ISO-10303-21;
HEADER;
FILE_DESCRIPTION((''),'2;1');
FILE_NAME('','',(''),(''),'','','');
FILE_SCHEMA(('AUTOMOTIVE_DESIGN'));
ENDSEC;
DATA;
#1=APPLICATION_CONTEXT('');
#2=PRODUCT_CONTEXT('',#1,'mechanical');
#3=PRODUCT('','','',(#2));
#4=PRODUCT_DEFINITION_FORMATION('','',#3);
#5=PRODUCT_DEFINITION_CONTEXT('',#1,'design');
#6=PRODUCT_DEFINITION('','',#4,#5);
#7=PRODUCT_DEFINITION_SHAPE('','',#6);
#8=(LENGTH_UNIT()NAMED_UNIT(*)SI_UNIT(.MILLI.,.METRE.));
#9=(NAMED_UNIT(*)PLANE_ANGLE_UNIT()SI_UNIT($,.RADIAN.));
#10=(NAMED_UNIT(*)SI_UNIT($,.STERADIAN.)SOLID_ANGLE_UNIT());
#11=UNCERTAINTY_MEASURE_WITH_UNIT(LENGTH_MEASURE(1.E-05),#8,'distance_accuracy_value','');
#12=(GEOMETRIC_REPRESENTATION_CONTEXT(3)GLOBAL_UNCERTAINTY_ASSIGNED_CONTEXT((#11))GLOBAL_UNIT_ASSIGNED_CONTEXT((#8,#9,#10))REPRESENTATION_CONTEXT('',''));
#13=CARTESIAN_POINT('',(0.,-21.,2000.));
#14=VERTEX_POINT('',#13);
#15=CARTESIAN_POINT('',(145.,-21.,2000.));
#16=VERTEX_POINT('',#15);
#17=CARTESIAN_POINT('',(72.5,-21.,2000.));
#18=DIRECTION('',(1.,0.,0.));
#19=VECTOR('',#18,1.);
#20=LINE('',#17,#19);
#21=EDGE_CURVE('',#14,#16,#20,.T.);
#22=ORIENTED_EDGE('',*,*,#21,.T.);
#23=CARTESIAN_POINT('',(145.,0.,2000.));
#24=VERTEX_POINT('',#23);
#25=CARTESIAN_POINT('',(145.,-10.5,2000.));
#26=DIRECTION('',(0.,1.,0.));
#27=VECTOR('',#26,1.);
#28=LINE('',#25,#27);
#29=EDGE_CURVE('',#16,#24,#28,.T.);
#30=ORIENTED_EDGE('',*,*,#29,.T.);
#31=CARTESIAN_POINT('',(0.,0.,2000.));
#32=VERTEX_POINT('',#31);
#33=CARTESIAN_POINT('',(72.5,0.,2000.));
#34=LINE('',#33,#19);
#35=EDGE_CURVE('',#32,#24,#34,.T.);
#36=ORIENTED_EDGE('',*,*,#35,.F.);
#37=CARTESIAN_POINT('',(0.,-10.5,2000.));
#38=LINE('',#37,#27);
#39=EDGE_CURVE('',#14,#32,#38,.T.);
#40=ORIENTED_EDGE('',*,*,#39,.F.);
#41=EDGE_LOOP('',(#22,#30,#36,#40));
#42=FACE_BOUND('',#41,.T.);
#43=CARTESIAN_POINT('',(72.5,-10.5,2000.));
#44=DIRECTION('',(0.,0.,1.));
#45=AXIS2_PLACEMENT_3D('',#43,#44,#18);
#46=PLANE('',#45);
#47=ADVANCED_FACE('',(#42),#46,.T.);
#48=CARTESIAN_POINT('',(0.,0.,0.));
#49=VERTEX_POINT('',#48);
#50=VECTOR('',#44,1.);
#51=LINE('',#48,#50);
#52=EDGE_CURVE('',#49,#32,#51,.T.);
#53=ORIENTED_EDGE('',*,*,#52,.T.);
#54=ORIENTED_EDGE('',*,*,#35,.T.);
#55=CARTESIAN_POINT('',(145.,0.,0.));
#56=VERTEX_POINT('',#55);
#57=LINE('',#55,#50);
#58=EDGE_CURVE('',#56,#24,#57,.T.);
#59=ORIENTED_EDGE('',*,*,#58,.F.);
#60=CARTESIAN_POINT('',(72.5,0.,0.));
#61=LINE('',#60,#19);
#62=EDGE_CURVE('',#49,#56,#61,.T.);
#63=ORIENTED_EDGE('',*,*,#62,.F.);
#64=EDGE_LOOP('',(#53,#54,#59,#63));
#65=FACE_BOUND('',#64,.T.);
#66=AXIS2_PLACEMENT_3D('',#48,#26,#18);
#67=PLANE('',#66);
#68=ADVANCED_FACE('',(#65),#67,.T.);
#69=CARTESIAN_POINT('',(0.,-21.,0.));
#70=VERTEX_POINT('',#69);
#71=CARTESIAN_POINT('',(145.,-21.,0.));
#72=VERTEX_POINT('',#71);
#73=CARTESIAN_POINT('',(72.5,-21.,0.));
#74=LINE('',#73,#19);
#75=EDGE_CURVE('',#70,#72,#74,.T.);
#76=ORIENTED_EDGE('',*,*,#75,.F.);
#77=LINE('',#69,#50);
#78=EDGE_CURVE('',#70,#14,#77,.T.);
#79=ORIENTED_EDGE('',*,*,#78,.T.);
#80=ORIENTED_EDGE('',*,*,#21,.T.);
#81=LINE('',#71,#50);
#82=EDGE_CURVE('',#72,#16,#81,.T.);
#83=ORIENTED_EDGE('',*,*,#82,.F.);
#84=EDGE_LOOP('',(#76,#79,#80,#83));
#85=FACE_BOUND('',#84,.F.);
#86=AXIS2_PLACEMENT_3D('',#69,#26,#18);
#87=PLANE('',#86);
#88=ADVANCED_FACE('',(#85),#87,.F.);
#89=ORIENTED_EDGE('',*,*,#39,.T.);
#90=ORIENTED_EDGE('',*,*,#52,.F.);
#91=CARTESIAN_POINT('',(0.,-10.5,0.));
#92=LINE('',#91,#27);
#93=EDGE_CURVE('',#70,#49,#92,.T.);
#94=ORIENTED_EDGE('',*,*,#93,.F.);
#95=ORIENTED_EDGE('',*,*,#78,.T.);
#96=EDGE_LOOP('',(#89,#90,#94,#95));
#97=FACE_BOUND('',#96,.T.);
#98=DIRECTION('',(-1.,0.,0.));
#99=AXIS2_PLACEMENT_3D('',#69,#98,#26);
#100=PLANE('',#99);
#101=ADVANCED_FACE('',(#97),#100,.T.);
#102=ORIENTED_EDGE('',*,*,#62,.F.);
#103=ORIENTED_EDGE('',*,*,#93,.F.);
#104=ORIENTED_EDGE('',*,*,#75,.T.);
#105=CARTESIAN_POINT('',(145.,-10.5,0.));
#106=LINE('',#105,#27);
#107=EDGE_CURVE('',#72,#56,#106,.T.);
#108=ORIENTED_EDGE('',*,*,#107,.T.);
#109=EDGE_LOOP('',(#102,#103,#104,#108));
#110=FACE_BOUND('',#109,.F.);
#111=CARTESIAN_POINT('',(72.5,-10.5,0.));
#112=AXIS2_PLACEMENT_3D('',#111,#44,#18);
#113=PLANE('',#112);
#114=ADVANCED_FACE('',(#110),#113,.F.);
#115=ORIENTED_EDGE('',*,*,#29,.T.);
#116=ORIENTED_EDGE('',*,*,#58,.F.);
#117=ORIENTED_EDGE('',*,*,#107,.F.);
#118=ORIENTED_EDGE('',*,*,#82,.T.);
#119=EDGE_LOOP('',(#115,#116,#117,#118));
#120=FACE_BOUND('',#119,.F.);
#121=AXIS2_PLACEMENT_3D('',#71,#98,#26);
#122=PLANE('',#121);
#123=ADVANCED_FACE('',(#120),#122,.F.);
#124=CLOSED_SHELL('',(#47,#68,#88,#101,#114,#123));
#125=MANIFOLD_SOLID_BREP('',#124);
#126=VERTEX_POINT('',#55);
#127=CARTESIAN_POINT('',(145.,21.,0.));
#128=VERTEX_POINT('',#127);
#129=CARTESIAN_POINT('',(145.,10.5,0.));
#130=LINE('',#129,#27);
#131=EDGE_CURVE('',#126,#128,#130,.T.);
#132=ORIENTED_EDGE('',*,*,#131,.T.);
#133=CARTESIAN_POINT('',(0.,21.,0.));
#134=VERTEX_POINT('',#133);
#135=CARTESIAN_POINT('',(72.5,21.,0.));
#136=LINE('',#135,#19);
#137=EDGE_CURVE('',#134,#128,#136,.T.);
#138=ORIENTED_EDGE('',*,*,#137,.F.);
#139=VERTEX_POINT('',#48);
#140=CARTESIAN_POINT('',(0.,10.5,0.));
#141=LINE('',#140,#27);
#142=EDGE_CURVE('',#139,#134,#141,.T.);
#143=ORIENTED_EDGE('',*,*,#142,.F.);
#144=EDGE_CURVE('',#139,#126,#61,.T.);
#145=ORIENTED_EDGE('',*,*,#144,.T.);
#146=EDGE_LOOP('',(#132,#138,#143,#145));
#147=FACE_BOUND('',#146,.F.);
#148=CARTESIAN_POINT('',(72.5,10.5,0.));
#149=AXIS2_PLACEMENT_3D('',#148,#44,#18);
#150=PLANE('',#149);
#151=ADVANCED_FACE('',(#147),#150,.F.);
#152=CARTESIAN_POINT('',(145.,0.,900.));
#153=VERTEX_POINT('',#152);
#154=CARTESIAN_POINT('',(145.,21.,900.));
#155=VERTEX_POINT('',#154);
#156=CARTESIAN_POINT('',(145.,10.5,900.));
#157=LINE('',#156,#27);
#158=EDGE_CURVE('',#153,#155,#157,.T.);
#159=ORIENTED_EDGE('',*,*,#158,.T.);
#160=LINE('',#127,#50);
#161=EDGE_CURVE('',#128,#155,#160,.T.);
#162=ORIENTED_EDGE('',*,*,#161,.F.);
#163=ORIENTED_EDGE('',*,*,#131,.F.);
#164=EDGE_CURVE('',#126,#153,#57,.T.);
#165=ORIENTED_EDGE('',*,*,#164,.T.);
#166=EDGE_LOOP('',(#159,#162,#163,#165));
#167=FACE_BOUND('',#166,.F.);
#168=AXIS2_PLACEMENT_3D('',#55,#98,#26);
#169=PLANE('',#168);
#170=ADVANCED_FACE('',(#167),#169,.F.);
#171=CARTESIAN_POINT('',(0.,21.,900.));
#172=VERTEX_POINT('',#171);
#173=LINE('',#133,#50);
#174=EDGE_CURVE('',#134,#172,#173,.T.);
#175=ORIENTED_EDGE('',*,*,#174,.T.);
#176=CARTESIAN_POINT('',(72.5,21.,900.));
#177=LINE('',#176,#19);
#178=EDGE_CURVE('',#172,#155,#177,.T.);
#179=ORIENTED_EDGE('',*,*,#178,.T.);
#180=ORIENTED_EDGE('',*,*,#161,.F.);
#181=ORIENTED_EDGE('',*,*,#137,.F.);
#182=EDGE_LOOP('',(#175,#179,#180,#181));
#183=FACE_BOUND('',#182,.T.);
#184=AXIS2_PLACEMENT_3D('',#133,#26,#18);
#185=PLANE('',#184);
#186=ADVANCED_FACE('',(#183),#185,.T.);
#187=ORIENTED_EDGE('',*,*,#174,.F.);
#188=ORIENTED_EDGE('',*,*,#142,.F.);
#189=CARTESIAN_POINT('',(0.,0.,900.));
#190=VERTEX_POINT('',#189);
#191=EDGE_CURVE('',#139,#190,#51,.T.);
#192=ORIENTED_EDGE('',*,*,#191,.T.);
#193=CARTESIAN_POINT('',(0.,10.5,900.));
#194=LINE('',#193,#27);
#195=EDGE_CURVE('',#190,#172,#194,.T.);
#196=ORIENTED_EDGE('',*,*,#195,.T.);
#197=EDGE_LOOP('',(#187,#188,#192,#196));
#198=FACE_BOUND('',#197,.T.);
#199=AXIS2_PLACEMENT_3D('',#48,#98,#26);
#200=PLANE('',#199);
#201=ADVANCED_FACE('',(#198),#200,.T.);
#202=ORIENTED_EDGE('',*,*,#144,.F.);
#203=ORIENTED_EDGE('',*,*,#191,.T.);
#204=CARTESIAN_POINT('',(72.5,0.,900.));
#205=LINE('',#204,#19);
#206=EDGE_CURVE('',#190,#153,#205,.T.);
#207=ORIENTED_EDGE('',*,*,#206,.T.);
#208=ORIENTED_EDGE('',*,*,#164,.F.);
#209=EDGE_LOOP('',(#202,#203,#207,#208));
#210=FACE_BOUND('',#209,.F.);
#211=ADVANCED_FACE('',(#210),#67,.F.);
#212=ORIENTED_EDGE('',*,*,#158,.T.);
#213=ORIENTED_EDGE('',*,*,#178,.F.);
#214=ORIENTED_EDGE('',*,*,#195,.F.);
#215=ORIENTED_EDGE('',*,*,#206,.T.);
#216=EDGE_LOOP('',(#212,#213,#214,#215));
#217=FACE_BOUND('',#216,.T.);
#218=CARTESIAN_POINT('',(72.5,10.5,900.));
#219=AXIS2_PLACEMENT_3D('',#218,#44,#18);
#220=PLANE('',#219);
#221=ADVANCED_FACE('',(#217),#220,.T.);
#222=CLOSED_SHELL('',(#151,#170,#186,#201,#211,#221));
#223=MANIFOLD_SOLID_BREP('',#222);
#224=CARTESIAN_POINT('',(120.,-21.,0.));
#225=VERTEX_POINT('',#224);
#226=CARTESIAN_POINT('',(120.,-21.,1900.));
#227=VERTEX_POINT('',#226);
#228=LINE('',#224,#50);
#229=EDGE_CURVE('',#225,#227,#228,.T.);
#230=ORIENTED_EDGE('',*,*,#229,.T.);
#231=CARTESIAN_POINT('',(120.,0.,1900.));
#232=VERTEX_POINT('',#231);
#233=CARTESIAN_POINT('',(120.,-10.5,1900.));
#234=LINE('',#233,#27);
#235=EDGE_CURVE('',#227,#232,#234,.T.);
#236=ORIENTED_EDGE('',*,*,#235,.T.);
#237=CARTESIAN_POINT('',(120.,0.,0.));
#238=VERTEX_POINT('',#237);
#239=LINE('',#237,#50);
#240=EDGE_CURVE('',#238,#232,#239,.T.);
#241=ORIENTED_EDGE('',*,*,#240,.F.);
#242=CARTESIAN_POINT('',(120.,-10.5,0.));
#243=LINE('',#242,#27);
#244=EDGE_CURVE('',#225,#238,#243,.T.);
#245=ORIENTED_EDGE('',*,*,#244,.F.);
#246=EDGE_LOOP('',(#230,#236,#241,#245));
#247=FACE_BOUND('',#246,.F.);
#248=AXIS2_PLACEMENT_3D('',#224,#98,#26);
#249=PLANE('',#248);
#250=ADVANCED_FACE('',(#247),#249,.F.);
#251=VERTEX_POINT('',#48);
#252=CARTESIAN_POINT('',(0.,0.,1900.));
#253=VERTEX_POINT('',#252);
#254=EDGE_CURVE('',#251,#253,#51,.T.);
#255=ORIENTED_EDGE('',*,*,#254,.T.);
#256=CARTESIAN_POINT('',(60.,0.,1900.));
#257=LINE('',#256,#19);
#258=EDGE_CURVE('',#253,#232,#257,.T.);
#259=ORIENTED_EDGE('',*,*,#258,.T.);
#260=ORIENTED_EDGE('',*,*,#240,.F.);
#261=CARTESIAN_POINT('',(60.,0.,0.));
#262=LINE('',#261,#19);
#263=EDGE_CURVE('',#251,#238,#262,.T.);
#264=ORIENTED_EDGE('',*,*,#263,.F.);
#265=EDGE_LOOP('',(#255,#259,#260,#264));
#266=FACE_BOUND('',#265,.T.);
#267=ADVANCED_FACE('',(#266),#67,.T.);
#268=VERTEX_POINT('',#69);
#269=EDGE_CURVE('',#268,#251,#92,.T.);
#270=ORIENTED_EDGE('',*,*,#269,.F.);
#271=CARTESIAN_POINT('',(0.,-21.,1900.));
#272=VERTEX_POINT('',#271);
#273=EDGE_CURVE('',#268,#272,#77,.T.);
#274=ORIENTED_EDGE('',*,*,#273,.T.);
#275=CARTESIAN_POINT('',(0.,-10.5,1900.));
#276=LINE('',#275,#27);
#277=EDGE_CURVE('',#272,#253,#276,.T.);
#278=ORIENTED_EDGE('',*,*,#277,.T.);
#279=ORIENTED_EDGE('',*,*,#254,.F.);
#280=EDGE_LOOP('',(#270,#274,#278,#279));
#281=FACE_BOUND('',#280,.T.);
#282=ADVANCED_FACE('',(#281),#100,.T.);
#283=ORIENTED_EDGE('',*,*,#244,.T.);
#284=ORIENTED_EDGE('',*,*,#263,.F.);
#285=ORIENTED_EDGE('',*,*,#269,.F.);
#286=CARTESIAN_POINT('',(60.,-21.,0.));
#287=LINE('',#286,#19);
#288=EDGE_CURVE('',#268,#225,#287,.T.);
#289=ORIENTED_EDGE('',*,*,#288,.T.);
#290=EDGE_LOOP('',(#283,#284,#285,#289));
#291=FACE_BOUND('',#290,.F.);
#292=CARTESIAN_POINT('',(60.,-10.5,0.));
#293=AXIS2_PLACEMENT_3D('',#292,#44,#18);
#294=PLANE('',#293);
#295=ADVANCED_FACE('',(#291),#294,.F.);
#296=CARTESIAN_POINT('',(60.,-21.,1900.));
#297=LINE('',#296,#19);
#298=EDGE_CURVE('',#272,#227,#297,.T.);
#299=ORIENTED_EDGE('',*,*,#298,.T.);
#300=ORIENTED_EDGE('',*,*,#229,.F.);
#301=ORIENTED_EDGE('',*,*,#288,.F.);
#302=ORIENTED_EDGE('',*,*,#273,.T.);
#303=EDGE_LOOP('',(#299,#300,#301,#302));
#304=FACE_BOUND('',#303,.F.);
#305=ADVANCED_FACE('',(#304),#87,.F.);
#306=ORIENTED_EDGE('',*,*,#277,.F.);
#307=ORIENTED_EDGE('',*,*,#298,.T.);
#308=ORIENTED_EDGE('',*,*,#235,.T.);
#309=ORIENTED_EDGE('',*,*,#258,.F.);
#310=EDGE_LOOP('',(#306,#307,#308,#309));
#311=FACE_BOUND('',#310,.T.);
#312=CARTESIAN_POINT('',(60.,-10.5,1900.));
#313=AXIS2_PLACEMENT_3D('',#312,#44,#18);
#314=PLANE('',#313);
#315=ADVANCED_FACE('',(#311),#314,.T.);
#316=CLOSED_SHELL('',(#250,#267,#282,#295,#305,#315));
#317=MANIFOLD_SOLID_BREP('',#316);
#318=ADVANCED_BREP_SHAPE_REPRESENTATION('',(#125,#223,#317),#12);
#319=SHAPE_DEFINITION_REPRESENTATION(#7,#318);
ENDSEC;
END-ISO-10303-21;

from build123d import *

# Parameters (mm, degrees)
F0_W     = 120
F0_H     = 21
F2_DEPTH = 1900
F3_W     = 145
F3_H     = 21
F4_DEPTH = 900
F5_W     = 145
F5_H     = 21
F6_DEPTH = 2000


with BuildPart() as f2:
    # F0 (on Top) → F2 (new body)
    with BuildSketch(Plane.XY):
        with Locations((60, -10.5)):
            Rectangle(F0_W, F0_H)
    extrude(amount=F2_DEPTH)


with BuildPart() as f4:
    # F3 (on Top) → F4 (new body)
    with BuildSketch(Plane.XY):
        with Locations((72.5, 10.5)):
            Rectangle(F3_W, F3_H)
    extrude(amount=F4_DEPTH)


with BuildPart() as f6:
    # F5 (on Top) → F6 (new body)
    with BuildSketch(Plane.XY):
        with Locations((72.5, -10.5)):
            Rectangle(F5_W, F5_H)
    extrude(amount=F6_DEPTH)


solid = Compound([f2.part, f4.part, f6.part])
